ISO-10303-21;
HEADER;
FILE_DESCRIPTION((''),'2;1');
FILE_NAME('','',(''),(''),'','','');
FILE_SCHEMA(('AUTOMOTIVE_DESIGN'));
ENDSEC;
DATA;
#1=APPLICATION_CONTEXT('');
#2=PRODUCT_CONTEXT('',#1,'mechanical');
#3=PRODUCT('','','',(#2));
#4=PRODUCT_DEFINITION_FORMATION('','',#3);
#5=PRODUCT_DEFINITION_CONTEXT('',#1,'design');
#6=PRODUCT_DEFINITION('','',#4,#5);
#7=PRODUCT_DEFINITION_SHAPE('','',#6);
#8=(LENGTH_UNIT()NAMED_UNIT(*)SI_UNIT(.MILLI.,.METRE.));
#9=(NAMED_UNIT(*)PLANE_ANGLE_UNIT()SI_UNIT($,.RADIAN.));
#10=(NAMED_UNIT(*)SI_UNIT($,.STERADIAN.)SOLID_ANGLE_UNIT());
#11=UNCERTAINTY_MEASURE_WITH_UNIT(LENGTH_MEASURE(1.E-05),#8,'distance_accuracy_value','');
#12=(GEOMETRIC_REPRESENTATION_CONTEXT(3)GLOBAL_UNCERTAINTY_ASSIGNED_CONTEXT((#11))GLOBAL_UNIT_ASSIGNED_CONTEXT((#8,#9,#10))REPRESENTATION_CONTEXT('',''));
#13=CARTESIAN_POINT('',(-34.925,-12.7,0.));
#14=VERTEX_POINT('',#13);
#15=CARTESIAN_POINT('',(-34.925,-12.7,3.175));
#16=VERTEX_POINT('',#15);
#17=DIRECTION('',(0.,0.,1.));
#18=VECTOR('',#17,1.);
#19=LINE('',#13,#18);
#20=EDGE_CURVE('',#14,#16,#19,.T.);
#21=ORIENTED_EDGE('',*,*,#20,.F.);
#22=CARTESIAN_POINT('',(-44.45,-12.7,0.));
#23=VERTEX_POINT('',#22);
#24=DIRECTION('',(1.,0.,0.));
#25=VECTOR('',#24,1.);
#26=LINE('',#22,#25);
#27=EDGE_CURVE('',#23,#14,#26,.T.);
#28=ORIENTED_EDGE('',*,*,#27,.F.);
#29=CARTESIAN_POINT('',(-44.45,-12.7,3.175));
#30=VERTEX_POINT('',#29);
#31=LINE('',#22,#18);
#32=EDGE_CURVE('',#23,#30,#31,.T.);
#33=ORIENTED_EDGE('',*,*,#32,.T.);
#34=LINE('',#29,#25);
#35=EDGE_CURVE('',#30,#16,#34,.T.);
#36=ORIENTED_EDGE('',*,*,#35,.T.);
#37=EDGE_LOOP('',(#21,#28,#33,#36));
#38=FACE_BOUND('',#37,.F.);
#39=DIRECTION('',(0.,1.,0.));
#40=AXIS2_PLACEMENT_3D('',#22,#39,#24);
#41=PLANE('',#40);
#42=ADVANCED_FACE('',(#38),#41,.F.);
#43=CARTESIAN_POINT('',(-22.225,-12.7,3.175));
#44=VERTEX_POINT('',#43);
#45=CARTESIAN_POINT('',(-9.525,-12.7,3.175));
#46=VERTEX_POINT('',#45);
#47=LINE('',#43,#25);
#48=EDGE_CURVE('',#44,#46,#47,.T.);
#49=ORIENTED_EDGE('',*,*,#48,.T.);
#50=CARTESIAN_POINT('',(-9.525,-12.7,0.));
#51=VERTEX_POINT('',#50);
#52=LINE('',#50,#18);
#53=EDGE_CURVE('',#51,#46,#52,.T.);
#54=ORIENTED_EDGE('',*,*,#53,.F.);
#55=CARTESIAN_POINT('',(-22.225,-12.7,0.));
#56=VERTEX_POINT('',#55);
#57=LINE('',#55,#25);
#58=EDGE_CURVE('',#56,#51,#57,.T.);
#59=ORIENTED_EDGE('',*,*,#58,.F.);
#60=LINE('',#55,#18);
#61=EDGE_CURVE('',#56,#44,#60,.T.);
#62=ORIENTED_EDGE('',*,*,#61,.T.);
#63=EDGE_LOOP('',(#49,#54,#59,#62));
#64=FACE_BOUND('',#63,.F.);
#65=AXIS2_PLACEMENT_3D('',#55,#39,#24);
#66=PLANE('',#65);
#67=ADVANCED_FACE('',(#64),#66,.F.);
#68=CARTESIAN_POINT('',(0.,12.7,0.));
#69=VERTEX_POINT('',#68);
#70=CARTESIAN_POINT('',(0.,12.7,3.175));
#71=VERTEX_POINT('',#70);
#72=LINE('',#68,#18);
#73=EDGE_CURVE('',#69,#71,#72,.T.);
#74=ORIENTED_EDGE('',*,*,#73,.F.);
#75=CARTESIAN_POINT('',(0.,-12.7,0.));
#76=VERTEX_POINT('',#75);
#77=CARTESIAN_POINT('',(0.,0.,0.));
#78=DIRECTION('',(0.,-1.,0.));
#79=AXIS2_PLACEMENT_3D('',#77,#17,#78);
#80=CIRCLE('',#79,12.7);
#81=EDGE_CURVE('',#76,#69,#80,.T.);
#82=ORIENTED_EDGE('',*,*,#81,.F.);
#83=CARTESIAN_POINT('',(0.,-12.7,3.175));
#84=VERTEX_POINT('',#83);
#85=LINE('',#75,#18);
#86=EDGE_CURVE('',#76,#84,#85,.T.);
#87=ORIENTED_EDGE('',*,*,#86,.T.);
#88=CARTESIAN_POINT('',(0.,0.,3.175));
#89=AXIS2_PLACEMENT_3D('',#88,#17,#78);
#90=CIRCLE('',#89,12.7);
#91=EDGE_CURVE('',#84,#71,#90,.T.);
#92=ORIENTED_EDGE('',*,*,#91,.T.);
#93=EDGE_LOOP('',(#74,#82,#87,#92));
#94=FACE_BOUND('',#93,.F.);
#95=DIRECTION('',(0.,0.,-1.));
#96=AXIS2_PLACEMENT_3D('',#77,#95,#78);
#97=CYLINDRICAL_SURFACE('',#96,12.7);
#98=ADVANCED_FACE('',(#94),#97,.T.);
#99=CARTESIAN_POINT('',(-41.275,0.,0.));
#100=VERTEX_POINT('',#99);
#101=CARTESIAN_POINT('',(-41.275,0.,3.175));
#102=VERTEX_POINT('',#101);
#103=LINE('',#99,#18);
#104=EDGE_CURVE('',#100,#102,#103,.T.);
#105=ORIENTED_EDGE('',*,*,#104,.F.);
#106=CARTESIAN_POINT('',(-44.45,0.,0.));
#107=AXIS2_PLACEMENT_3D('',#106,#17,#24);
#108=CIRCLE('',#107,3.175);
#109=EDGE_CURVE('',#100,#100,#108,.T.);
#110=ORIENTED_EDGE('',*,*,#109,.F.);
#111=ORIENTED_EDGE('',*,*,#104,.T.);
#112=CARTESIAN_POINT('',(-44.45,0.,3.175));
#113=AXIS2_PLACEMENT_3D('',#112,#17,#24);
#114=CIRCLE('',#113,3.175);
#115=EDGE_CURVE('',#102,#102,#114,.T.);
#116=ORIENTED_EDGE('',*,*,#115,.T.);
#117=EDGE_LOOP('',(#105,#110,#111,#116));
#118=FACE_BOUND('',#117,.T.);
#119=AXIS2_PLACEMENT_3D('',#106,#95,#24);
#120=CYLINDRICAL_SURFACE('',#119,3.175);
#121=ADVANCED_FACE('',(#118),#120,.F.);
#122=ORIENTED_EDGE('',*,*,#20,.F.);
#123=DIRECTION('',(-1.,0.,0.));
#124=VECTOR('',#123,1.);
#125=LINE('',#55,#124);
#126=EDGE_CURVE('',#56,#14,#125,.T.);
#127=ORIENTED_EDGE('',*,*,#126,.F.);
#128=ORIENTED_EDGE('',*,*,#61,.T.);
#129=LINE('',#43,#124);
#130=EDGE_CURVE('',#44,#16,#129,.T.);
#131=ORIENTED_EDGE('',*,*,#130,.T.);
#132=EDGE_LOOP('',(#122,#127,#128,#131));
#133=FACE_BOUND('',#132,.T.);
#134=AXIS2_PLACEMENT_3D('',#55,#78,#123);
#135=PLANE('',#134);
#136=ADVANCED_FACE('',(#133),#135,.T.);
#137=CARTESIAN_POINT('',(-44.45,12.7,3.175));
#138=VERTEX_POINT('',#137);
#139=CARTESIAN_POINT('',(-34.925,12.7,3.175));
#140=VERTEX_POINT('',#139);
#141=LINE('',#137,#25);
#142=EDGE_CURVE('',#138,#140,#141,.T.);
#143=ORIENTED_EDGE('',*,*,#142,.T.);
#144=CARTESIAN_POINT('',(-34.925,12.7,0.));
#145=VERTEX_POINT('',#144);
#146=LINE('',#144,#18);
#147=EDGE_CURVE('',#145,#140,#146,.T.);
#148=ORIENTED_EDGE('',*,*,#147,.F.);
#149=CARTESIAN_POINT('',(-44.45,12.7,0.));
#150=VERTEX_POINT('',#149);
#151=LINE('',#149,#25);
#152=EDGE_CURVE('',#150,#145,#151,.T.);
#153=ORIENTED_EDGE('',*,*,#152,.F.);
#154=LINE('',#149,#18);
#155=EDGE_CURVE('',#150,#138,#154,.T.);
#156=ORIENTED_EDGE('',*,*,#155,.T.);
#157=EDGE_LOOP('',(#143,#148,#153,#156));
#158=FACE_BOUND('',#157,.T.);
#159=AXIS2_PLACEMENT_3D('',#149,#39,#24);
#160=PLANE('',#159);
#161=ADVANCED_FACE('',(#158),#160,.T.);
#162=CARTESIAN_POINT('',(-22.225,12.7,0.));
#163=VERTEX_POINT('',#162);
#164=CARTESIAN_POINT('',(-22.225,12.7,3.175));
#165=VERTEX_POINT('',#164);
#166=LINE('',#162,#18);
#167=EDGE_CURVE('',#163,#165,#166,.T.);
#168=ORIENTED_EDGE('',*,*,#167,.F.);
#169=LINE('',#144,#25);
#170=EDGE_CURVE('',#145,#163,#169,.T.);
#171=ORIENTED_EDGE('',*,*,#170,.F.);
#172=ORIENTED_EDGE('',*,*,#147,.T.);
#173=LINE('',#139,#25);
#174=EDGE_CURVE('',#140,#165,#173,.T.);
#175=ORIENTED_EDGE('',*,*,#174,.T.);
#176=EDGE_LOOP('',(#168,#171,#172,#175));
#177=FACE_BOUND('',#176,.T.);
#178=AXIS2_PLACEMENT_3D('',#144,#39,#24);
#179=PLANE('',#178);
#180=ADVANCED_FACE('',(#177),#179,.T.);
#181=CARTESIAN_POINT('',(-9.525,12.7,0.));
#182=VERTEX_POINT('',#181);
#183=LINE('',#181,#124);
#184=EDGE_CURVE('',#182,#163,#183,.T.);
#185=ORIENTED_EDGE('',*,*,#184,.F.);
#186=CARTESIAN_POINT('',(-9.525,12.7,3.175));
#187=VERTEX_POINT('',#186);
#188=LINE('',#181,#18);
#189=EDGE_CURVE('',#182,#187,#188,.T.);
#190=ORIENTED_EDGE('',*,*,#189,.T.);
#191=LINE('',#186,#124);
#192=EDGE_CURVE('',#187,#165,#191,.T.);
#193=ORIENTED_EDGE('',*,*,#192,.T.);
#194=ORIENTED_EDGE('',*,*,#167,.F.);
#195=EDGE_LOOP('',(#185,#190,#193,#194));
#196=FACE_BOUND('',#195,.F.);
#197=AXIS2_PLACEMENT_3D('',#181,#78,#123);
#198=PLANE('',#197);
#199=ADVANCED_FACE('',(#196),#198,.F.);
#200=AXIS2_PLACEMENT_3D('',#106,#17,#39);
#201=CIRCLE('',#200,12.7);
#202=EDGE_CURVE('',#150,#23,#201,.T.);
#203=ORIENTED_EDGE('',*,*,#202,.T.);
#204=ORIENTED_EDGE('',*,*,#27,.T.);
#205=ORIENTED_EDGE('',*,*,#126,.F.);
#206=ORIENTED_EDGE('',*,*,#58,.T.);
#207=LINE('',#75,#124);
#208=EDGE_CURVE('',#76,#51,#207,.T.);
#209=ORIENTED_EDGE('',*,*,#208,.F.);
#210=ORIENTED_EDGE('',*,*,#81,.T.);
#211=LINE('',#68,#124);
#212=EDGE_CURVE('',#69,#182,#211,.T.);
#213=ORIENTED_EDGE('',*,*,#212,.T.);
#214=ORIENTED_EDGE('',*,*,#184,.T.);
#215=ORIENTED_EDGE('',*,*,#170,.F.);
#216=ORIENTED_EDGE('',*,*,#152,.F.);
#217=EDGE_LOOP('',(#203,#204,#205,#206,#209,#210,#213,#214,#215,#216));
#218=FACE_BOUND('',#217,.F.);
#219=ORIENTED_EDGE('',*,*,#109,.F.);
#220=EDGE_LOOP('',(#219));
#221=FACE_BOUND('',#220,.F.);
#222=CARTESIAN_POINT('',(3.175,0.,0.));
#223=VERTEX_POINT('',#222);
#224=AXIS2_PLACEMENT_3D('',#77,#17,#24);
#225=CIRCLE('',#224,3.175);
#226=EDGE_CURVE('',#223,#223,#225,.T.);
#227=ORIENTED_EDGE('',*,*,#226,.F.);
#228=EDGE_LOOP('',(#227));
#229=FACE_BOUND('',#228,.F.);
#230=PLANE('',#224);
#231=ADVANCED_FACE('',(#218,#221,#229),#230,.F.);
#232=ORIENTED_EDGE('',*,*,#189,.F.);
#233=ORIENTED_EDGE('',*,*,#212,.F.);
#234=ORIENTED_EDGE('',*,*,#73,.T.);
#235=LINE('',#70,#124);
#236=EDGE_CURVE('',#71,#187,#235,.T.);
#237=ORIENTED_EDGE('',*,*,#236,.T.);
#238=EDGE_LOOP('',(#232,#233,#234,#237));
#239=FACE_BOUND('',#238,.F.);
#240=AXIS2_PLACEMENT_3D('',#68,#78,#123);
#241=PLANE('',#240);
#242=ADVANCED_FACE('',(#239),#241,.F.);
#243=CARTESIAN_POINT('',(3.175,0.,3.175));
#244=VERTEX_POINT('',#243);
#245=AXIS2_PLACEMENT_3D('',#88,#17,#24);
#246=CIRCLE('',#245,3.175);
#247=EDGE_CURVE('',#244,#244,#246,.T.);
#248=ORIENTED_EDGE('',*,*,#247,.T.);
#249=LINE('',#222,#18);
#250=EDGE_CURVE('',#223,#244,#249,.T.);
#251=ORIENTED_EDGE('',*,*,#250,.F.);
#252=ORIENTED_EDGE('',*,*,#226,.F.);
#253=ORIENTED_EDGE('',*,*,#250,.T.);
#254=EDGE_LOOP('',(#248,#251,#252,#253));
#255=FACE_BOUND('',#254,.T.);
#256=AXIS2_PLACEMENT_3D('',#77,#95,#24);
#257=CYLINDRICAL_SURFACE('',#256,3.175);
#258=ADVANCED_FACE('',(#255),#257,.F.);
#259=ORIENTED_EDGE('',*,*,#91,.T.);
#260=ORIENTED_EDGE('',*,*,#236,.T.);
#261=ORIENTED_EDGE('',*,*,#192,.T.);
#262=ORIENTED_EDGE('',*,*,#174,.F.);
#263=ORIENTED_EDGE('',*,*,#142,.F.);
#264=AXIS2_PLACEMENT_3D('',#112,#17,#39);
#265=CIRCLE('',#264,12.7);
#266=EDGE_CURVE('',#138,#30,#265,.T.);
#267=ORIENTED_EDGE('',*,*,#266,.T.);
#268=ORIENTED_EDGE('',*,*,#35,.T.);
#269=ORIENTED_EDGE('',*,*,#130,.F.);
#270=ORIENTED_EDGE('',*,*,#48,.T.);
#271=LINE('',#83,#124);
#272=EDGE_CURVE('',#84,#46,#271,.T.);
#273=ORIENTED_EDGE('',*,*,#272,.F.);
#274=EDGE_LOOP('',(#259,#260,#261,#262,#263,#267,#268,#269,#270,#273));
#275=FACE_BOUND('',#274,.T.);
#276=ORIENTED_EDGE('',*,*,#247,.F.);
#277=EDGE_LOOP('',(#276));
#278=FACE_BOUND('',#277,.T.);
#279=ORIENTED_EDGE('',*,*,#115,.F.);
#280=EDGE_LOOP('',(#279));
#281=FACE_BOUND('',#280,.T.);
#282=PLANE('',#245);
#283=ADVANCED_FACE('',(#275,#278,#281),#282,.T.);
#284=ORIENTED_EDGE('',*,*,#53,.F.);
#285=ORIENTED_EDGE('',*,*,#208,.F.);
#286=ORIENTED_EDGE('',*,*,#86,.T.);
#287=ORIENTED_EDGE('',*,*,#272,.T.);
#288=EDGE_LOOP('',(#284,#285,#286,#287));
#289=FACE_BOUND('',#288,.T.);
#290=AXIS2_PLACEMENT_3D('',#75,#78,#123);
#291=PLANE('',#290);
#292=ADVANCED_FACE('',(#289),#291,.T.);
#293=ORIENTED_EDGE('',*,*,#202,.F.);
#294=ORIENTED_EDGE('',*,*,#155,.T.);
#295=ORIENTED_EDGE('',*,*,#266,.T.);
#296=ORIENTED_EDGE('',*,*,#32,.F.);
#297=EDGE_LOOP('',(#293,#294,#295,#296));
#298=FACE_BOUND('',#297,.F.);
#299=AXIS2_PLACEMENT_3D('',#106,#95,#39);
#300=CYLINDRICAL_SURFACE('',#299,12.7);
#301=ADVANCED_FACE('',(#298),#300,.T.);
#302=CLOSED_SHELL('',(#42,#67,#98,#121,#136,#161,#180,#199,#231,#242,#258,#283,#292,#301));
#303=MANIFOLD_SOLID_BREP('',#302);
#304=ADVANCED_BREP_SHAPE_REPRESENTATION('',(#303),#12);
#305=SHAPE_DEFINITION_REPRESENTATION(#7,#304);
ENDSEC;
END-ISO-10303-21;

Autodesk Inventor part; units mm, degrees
ref_plane "YZ Plane" through (0, 0, 0) normal (1, 0, 0) x (0, 1, 0)
ref_plane "XZ Plane" through (0, 0, 0) normal (0, 1, 0) x (-1, 0, 0)
ref_plane "XY Plane" through (0, 0, 0) normal (0, 0, 1) x (1, 0, 0)
sketch "Sketch1" plane through (0, 0, 0) normal (0, 0, 1) x (1, 0, 0)
  circle A0 centre (0, 0) radius 3.175
  arc A1 (0, -12.7) -> (0, 12.7) centre (0, 0) ccw
  line L0 (0, 12.7) -> (-9.525, 12.7)
  line L1 (0, -12.7) -> (-9.525, -12.7)
  line L2 (-9.525, 12.7) -> (-22.225, 12.7)
  line L3 (-22.225, -12.7) -> (-9.525, -12.7)
  line L4 (-22.225, 12.7) -> (0, 12.7)
  line L5 (0, -12.7) -> (-22.225, -12.7)
  circle A2 centre (-44.45, 0) radius 3.175
  arc A3 (-44.45, 12.7) -> (-44.45, -12.7) centre (-44.45, 0) ccw
  line L6 (-44.45, 12.7) -> (-34.925, 12.7)
  line L7 (-44.45, -12.7) -> (-34.925, -12.7)
  line L8 (-34.925, 12.7) -> (-22.225, 12.7)
  line L9 (-22.225, -12.7) -> (-34.925, -12.7)
  line L10 (-22.225, 12.7) -> (-44.45, 12.7)
  line L11 (-44.45, -12.7) -> (-22.225, -12.7)
  dimension "d0" = 6.35
  dimension "d5" = 25.4
  dimension "d6" = 12.7
extrude "Extrusion1" add sketch "Sketch1" along normal blind 3.175
properties part number "linear_slide_piece2_v2" material "Aluminum 6061"
